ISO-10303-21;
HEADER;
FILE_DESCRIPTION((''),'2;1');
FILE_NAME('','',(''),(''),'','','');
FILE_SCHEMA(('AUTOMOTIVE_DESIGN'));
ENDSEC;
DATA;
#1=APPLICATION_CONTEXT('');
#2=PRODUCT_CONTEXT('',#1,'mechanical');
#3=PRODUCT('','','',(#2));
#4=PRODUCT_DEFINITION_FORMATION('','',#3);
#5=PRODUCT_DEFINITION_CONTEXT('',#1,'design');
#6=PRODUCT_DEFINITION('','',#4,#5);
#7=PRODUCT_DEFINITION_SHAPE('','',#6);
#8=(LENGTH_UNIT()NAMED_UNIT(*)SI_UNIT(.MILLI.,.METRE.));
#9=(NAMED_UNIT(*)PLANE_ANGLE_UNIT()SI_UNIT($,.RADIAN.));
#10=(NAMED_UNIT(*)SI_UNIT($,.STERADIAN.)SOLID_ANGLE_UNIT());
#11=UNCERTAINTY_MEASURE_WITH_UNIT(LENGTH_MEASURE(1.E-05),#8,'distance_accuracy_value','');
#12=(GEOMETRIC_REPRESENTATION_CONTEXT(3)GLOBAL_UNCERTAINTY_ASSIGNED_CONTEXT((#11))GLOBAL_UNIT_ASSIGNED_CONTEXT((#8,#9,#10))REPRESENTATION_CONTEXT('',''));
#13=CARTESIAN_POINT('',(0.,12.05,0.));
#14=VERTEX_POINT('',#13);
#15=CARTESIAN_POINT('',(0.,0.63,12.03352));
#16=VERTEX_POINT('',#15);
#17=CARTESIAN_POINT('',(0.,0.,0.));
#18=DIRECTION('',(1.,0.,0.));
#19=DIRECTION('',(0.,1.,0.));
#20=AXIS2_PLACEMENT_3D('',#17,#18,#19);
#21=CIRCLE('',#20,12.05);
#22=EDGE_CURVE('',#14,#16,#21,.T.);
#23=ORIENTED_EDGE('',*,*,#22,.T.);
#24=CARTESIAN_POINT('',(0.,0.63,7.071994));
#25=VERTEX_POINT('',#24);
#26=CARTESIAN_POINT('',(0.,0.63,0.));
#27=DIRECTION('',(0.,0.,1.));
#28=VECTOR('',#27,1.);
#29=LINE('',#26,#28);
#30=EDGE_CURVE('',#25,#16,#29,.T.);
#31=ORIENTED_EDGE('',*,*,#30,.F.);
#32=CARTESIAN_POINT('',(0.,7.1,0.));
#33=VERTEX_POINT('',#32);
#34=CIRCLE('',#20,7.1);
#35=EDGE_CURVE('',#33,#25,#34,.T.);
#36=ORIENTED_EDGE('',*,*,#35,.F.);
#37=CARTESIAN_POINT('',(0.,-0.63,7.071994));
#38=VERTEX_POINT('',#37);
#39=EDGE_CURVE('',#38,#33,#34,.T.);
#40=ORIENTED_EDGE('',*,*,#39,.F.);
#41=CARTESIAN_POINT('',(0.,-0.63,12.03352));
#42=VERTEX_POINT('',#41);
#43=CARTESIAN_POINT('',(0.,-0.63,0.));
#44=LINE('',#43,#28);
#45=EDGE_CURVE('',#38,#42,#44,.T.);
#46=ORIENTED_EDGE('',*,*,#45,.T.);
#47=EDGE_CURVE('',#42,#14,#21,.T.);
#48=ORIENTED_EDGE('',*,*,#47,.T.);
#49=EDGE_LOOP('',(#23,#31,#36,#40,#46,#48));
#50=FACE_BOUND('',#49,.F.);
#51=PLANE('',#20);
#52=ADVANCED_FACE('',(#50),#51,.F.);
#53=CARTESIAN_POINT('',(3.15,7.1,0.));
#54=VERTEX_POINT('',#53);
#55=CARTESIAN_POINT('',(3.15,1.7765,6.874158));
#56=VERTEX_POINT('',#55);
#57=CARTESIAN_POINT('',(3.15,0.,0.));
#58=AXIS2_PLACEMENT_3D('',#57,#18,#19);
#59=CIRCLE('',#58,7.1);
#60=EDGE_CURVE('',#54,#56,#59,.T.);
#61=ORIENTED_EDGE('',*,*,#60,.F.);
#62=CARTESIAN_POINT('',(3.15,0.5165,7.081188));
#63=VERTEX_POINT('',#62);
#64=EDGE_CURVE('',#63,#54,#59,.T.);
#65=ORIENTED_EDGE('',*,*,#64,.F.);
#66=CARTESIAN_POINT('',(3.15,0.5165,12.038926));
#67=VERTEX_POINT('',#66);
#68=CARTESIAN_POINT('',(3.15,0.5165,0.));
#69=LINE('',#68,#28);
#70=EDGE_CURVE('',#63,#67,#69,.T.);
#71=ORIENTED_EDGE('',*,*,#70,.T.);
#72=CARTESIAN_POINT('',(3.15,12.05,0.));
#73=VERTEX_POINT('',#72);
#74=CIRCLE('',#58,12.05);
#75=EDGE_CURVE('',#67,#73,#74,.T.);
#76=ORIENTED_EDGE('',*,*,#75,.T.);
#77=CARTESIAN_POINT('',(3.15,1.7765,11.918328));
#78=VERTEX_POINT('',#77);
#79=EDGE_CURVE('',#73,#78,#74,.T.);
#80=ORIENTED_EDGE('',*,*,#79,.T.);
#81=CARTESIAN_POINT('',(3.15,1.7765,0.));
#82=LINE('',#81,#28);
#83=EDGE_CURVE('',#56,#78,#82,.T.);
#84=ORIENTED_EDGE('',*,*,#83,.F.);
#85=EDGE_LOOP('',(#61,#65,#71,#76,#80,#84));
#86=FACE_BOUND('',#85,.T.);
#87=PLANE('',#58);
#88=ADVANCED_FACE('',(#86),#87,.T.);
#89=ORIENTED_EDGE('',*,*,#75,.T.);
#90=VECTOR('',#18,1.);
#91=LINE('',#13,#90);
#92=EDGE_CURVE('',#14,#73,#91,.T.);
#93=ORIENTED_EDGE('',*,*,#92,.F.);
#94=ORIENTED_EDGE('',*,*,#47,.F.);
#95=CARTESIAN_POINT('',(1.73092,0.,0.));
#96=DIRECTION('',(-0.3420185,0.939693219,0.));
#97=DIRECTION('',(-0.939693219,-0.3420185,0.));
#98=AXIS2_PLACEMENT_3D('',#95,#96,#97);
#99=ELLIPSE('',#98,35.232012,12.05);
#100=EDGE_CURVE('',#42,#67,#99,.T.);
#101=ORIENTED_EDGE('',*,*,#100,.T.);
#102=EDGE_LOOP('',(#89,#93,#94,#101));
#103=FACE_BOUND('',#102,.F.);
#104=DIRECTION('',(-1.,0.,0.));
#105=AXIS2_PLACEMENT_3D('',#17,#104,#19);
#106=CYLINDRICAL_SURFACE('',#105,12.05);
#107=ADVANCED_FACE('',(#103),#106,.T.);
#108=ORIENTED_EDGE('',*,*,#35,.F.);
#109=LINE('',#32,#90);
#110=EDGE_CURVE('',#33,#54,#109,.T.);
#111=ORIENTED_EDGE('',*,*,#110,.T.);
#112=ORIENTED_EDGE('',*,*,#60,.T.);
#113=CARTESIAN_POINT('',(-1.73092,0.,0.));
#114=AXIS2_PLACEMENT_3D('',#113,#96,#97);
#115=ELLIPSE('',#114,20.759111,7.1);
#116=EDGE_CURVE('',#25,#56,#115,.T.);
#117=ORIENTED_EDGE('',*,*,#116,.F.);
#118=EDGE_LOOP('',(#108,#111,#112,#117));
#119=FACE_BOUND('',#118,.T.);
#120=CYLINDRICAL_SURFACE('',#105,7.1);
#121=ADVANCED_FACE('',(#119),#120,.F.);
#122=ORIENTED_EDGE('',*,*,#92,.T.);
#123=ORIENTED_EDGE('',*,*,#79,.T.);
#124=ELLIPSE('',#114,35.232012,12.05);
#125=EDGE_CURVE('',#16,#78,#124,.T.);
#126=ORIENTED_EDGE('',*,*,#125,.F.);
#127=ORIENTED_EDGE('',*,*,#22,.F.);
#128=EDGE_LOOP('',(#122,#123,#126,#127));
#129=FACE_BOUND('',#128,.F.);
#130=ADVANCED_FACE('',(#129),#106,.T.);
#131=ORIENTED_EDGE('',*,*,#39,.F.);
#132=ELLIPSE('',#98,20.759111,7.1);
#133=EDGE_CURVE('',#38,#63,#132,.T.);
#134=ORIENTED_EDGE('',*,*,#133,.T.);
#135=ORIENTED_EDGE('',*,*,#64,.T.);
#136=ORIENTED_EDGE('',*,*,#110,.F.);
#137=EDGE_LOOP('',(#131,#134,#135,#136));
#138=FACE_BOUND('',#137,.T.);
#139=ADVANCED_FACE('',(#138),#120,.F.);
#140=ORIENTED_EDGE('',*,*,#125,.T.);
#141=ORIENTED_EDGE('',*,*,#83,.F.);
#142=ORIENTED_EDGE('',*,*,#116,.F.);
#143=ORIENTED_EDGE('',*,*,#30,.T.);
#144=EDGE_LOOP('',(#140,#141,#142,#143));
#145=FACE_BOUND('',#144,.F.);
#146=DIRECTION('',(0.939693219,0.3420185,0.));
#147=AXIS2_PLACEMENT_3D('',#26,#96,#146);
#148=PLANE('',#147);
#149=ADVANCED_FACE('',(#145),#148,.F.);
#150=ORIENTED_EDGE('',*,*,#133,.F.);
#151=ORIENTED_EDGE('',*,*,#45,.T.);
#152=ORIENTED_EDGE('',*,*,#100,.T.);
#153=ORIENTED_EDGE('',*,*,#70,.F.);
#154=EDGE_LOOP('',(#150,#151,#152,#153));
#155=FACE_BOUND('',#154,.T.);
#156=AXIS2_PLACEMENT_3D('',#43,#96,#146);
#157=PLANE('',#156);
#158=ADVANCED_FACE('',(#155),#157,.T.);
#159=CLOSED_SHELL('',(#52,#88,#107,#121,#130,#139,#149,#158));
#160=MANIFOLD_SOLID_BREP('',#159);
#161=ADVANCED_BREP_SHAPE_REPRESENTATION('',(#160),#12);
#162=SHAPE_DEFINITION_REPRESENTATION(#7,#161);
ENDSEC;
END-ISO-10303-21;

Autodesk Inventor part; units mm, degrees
ref_plane "YZ Plane" through (0, 0, 0) normal (1, 0, 0) x (0, 1, 0)
ref_plane "XZ Plane" through (0, 0, 0) normal (0, 1, 0) x (-1, 0, 0)
sketch "Sketch1" plane through (0, 0, 0) normal (1, 0, 0) x (0, 1, 0)
  circle A0 centre (0, 0) radius 12.05
  circle A1 centre (0, 0) radius 7.1
  dimension "d0" = 14.2
  dimension "d1" = 24.1
extrude "Body" add sketch "Sketch1" along normal blind 3.15
sketch "Sketch2" plane through (0, 0, 0) normal (0, 0, 1) x (1, 0, 0)
  line L0 (0, -7.1) -> (0, 7.1) projected
  line L1 (3.15, 12.05) -> (3.15, -12.05) projected
  line L2 (-1.2, 0) -> (7.2, 0) projected
  line L3 (0, -0.63) -> (3.15, 0.5165)
  line L4 (0, 0.63) -> (3.15, 1.7765)
  dimension "d4" = 0.63
  dimension "d5" = 0.63
  dimension "d6" = 70
extrude "Cut" cut sketch "Sketch2" along normal up to next contours L0 L2 L3 | L0 L4 L1 L3 L2
ref_plane "Work Plane1" through (0, 0, 0) normal (0, -1, 0) x (1, 0, 0)
equation "\"d0\" = SD1"
equation "\"d1\" = SD2"
equation "\"d2\" = SD"
equation "\"d4\" = 0.2 * SD"
equation "\"d5\" = 0.2 * SD"
equation "\"d6\" = FAWI"
equation "\"d7\" = SD"
equation "\"SD1\" = 14.2"
equation "\"SD2\" = 24.1"
equation "\"SD\" = 3.15"
equation "\"FAWI\" = 70deg"
equation "\"NND\" = 14"
properties part number "AS 1968 - 1976 - 14" material "Steel, Mild"
